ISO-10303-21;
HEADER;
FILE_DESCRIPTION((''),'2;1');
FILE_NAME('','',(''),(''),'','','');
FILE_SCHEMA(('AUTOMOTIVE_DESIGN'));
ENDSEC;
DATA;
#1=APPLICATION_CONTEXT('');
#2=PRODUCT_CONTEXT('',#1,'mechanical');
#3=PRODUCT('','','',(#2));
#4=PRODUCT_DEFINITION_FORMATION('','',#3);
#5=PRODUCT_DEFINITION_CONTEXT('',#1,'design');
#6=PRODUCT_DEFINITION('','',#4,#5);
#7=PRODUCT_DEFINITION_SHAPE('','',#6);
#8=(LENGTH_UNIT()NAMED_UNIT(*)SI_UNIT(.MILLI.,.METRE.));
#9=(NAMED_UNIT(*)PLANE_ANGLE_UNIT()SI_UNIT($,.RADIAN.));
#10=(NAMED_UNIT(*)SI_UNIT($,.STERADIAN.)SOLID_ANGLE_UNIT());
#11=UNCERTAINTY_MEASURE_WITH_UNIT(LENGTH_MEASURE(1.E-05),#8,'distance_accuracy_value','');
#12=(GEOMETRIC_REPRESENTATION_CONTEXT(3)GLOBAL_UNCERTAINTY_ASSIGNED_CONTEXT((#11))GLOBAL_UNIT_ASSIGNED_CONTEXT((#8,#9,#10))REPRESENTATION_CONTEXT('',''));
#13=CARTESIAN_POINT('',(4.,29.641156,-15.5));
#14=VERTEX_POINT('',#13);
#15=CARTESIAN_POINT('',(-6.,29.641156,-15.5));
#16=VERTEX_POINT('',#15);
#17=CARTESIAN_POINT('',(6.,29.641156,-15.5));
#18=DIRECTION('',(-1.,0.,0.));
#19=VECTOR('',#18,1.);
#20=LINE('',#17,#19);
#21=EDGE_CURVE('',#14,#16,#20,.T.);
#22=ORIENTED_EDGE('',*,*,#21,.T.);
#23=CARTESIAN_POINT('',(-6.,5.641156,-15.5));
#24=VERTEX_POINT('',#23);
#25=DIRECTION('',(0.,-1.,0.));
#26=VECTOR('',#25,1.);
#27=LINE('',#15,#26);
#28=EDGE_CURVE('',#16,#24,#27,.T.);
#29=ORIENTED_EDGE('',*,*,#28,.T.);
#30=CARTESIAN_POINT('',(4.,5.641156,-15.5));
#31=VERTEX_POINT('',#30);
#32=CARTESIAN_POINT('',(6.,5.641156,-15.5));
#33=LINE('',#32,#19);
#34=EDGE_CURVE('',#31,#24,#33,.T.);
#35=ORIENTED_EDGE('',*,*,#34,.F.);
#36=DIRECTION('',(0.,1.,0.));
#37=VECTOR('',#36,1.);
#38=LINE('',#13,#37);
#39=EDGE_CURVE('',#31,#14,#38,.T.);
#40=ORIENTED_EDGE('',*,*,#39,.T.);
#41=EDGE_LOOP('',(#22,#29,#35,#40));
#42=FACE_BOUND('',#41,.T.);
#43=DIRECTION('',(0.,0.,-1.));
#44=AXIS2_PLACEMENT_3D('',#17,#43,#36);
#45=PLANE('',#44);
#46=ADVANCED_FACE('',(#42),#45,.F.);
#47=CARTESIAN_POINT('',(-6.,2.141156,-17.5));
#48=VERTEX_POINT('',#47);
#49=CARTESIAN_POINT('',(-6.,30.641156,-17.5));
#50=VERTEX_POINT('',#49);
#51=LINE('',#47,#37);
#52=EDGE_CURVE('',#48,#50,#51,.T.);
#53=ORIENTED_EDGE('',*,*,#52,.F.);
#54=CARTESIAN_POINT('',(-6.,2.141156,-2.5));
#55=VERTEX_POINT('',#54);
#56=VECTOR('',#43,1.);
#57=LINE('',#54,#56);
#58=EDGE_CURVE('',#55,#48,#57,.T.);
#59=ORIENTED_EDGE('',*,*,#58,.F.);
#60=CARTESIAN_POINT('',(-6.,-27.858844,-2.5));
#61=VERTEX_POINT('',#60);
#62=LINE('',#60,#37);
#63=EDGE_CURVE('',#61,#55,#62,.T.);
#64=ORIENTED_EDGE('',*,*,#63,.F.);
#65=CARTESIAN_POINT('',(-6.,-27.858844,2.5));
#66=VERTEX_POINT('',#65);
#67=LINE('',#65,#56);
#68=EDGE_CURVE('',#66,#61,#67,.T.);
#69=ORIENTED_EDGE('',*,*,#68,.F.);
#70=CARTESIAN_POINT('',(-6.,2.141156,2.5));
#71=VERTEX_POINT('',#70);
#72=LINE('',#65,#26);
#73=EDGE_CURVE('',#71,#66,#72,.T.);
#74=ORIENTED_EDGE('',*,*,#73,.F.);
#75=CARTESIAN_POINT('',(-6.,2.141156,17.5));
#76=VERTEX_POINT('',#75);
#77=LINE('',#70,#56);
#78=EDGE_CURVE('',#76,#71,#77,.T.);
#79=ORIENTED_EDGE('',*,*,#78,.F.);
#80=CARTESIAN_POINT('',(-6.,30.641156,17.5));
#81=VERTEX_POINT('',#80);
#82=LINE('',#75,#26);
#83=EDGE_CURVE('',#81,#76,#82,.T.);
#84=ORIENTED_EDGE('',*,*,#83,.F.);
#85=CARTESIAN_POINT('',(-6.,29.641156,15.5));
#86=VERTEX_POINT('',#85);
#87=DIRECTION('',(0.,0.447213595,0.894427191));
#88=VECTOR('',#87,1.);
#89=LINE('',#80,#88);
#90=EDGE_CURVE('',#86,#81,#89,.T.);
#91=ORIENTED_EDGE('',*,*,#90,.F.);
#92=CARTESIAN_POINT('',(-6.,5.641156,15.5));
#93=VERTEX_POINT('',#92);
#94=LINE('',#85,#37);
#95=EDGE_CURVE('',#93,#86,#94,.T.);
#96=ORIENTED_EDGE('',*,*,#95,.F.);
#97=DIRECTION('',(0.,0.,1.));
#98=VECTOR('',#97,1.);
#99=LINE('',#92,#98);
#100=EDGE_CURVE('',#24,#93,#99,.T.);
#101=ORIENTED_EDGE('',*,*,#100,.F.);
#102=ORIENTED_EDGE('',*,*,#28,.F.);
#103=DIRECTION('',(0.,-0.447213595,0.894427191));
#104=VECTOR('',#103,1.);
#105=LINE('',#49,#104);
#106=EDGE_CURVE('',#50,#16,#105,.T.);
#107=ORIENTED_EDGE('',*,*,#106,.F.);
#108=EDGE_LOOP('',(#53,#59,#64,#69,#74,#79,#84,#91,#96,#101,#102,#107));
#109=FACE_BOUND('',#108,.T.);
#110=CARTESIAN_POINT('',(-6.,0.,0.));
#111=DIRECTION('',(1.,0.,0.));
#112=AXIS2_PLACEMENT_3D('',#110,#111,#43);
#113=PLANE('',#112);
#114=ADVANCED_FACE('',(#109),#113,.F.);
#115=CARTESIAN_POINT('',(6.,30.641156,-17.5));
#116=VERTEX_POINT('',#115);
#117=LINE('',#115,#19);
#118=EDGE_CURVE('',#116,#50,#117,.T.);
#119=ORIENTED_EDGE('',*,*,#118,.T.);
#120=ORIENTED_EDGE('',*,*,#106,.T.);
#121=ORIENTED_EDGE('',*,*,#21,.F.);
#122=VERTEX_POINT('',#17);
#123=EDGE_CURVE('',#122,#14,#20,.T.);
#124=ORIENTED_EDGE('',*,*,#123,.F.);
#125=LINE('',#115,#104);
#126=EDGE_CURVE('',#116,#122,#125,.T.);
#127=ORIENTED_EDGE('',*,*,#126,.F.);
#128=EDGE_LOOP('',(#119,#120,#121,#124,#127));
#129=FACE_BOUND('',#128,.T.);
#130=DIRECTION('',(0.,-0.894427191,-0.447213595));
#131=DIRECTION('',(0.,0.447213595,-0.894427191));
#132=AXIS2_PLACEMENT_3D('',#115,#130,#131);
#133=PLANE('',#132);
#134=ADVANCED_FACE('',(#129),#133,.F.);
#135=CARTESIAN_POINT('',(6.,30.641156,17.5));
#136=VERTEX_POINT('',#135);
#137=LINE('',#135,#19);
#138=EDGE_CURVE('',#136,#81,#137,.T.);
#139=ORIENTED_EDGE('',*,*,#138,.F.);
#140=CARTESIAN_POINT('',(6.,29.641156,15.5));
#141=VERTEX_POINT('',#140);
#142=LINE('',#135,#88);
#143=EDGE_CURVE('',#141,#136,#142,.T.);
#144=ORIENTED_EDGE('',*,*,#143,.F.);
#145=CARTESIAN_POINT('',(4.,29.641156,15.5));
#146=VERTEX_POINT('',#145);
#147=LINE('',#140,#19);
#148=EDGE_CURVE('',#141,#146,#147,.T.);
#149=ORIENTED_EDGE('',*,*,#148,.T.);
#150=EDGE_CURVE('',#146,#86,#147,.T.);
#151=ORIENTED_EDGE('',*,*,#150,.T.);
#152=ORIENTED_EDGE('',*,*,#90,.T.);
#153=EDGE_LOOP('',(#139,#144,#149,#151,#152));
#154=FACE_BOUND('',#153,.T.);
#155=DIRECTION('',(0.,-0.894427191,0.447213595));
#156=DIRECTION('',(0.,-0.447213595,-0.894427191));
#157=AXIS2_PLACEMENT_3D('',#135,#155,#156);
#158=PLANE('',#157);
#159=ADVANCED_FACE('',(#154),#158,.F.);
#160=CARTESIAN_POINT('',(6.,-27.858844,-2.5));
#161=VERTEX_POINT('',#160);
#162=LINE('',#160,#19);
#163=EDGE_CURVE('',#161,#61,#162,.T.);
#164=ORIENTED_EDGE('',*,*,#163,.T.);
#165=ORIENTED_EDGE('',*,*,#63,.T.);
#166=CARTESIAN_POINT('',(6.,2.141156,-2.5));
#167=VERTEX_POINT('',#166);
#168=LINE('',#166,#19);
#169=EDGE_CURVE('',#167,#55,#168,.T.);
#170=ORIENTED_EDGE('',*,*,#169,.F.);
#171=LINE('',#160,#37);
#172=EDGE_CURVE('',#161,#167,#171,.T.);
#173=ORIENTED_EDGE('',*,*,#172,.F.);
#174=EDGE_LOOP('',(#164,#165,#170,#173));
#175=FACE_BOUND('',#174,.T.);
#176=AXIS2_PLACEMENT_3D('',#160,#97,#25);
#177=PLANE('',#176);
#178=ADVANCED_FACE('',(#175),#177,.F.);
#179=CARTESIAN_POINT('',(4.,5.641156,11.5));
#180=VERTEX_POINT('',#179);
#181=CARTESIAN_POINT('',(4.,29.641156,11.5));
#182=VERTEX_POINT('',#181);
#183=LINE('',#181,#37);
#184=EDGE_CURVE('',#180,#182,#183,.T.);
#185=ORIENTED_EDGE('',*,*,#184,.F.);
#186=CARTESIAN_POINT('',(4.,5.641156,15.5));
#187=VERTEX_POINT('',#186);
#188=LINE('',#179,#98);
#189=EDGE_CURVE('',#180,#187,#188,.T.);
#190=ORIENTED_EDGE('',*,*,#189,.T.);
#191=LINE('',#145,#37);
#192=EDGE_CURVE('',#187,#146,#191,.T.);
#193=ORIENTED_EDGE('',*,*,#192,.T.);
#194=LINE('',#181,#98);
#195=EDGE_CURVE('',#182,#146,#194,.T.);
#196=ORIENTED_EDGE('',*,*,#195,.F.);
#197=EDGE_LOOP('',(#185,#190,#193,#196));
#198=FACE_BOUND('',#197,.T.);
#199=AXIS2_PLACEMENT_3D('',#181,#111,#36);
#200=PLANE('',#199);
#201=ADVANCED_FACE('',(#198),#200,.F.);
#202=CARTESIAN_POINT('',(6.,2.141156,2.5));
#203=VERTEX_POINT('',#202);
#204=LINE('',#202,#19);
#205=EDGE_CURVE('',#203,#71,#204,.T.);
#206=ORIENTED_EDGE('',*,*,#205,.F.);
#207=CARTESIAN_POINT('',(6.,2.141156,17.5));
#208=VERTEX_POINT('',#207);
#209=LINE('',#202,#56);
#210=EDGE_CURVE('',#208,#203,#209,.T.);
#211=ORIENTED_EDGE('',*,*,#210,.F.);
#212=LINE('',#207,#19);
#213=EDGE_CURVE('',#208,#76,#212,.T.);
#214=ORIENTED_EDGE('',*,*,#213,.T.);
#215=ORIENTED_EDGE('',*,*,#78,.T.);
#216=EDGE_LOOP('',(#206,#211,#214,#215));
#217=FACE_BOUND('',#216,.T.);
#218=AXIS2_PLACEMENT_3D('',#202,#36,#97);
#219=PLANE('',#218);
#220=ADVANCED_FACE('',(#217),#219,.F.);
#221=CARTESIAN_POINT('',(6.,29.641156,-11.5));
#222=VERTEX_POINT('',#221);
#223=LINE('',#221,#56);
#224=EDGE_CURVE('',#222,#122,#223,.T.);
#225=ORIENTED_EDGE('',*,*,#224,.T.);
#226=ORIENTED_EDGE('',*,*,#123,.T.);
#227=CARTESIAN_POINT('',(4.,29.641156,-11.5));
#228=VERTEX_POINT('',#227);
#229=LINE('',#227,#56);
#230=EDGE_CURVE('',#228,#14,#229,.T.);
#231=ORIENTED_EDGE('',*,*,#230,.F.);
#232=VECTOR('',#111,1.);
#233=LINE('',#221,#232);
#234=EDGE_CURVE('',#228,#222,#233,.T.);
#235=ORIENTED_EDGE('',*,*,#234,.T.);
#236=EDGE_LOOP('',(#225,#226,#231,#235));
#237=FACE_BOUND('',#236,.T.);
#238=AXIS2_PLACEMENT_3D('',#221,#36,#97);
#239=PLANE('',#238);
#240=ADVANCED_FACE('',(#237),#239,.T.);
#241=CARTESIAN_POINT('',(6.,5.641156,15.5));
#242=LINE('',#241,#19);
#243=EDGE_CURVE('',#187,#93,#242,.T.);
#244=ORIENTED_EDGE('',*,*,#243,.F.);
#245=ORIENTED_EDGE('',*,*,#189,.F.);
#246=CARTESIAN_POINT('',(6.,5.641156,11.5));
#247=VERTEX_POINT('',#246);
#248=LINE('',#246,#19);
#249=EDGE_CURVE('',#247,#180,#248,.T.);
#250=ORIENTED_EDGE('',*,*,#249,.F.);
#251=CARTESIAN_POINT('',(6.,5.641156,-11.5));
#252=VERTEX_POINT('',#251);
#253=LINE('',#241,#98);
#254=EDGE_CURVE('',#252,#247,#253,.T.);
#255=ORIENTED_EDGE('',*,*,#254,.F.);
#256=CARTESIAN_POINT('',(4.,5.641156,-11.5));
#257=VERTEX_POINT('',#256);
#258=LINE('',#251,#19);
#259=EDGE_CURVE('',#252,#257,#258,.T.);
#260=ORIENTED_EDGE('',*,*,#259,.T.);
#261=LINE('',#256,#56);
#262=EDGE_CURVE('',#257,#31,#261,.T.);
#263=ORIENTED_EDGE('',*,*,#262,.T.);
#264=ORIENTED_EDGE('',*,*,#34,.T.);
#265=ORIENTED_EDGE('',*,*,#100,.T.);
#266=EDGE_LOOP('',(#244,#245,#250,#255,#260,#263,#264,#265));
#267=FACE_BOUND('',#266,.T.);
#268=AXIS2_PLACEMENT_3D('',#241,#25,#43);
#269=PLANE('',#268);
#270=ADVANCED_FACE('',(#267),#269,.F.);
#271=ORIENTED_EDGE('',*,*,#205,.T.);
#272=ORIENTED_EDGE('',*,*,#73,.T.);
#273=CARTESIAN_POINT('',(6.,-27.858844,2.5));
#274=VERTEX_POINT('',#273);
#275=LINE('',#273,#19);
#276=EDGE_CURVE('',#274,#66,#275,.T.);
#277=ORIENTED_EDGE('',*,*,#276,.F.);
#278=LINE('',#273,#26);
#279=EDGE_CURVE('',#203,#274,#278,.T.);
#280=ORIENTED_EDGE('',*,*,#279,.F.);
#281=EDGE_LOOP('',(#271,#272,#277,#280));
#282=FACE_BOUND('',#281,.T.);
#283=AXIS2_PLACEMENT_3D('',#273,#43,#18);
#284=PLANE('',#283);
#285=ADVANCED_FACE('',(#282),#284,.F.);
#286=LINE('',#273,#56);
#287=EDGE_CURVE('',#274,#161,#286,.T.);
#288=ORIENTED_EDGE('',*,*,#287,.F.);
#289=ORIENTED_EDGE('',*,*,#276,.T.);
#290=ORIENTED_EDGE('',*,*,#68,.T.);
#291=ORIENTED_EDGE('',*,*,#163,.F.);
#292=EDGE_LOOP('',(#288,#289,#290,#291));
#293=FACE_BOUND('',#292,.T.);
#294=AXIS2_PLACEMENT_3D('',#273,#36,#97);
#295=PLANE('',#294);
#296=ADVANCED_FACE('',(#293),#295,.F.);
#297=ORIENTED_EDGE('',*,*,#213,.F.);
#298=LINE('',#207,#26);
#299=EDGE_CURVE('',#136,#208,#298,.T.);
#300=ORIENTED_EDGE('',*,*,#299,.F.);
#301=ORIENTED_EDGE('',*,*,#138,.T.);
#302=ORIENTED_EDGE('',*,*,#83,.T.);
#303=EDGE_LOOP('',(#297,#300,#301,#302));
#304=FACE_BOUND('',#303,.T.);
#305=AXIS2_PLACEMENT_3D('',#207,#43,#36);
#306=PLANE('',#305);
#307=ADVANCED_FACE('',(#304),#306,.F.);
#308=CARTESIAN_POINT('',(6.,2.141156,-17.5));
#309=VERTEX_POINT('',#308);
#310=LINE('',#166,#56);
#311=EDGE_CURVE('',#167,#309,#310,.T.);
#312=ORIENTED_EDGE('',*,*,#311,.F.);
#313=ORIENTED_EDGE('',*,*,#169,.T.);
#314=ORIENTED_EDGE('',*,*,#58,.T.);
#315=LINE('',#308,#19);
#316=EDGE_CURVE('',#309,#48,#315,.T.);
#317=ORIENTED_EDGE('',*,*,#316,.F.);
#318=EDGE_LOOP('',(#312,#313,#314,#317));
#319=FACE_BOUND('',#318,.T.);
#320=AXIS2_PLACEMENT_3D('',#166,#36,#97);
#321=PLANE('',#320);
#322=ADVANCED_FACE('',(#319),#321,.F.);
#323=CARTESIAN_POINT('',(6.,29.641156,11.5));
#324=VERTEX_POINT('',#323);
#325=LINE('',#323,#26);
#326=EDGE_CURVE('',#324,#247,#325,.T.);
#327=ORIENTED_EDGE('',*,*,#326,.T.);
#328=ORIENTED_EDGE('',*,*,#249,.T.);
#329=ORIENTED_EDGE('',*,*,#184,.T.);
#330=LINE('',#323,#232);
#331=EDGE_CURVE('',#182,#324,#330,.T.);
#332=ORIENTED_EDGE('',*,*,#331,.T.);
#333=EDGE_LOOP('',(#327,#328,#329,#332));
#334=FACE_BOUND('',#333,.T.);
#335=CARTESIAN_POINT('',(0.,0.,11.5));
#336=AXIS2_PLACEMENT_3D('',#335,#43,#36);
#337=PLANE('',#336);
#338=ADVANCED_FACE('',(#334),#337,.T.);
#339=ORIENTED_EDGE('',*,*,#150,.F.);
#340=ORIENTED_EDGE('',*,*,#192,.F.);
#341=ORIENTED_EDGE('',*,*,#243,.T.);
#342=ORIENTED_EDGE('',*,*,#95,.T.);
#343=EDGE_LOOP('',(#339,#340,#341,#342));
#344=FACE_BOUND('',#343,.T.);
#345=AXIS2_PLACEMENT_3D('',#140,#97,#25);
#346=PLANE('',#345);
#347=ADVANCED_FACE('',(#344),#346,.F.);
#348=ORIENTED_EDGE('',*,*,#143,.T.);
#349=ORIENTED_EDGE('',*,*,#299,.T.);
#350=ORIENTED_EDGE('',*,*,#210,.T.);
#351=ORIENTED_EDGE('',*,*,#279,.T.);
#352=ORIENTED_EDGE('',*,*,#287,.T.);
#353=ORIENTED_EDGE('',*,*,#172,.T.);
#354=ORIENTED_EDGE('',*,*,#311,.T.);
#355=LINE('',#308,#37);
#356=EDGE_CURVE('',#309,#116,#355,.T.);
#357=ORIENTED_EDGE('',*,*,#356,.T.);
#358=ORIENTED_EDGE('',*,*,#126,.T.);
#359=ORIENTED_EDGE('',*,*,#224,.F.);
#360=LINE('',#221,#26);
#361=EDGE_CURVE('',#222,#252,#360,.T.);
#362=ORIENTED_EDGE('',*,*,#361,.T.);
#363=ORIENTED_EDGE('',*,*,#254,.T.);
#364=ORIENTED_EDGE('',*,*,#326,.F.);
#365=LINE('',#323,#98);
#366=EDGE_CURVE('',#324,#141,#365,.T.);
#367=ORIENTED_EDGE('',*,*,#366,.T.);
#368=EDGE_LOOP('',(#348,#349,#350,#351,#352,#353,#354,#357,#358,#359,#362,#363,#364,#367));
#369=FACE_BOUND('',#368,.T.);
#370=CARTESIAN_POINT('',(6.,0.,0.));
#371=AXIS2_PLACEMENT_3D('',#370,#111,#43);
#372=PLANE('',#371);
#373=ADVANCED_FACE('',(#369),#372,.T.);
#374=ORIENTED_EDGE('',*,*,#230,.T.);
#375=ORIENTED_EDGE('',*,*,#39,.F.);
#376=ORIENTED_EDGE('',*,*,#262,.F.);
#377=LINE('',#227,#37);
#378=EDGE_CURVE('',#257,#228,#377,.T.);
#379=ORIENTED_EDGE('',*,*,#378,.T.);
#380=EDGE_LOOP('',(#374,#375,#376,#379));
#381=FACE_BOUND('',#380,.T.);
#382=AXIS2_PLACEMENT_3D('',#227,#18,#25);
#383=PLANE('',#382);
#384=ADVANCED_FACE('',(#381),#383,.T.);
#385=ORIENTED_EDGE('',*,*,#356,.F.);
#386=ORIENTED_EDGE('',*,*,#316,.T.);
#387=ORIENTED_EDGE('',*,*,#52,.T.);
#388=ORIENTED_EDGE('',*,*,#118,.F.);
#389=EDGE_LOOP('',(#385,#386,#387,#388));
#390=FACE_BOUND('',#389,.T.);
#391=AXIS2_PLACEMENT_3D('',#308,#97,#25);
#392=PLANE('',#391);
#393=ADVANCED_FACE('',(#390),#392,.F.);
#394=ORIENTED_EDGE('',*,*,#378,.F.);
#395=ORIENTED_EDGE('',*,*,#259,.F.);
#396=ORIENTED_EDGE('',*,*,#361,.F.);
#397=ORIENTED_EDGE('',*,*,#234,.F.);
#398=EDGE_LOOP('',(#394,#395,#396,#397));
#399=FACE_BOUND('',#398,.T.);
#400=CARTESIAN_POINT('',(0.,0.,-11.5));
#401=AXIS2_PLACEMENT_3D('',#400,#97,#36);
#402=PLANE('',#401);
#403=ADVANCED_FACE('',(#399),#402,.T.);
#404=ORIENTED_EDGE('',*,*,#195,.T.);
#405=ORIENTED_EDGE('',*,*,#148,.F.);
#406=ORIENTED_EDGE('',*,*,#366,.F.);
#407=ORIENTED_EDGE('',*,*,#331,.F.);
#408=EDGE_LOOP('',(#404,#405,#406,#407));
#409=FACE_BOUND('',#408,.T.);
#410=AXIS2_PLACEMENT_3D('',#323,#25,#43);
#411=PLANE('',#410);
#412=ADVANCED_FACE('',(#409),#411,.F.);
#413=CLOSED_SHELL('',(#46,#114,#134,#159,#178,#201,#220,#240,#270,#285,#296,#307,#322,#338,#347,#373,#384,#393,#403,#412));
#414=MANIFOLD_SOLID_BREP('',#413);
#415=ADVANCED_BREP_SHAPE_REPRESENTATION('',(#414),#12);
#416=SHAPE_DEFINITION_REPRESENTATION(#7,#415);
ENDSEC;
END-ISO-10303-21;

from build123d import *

# Parameters (mm, degrees)
BOSS_EXTRUDE1_DEPTH = 6
SKETCH2_W           = 2
SKETCH2_H           = 24
BOSS_EXTRUDE2_DEPTH = 4


with BuildPart() as part:
    # Sketch1 → Boss-Extrude1 (new, symmetric)
    with BuildSketch(Plane(origin=(0, 0, 0), x_dir=(0, 0, -1), z_dir=(1, 0, 0))):
        Polygon((-2.5, -27.858843537), (-2.5, 2.141156463), (-17.5, 2.141156463), (-17.5, 30.641156463), (-15.5, 29.641156463), (-15.5, 5.641156463), (15.5, 5.641156463), (15.5, 29.641156463), (17.5, 30.641156463), (17.5, 2.141156463), (2.5, 2.141156463), (2.5, -27.858843537), align=None)
    extrude(amount=BOSS_EXTRUDE1_DEPTH, both=True)

    # Sketch2 → Boss-Extrude2 (add)
    with BuildSketch(Plane(origin=(0, 0, 15.5), x_dir=(-1, 0, 0), z_dir=(0, 0, -1))):
        with Locations((-5, 17.641156463)):
            Rectangle(SKETCH2_W, SKETCH2_H)
    boss_extrude2 = extrude(amount=BOSS_EXTRUDE2_DEPTH)

    # Mirror1: Boss-Extrude2 across plane
    add(boss_extrude2.mirror(Plane(origin=(0, 0, 0), x_dir=(1, 0, 0), z_dir=(0, 0, -1))))


solid = part.part
